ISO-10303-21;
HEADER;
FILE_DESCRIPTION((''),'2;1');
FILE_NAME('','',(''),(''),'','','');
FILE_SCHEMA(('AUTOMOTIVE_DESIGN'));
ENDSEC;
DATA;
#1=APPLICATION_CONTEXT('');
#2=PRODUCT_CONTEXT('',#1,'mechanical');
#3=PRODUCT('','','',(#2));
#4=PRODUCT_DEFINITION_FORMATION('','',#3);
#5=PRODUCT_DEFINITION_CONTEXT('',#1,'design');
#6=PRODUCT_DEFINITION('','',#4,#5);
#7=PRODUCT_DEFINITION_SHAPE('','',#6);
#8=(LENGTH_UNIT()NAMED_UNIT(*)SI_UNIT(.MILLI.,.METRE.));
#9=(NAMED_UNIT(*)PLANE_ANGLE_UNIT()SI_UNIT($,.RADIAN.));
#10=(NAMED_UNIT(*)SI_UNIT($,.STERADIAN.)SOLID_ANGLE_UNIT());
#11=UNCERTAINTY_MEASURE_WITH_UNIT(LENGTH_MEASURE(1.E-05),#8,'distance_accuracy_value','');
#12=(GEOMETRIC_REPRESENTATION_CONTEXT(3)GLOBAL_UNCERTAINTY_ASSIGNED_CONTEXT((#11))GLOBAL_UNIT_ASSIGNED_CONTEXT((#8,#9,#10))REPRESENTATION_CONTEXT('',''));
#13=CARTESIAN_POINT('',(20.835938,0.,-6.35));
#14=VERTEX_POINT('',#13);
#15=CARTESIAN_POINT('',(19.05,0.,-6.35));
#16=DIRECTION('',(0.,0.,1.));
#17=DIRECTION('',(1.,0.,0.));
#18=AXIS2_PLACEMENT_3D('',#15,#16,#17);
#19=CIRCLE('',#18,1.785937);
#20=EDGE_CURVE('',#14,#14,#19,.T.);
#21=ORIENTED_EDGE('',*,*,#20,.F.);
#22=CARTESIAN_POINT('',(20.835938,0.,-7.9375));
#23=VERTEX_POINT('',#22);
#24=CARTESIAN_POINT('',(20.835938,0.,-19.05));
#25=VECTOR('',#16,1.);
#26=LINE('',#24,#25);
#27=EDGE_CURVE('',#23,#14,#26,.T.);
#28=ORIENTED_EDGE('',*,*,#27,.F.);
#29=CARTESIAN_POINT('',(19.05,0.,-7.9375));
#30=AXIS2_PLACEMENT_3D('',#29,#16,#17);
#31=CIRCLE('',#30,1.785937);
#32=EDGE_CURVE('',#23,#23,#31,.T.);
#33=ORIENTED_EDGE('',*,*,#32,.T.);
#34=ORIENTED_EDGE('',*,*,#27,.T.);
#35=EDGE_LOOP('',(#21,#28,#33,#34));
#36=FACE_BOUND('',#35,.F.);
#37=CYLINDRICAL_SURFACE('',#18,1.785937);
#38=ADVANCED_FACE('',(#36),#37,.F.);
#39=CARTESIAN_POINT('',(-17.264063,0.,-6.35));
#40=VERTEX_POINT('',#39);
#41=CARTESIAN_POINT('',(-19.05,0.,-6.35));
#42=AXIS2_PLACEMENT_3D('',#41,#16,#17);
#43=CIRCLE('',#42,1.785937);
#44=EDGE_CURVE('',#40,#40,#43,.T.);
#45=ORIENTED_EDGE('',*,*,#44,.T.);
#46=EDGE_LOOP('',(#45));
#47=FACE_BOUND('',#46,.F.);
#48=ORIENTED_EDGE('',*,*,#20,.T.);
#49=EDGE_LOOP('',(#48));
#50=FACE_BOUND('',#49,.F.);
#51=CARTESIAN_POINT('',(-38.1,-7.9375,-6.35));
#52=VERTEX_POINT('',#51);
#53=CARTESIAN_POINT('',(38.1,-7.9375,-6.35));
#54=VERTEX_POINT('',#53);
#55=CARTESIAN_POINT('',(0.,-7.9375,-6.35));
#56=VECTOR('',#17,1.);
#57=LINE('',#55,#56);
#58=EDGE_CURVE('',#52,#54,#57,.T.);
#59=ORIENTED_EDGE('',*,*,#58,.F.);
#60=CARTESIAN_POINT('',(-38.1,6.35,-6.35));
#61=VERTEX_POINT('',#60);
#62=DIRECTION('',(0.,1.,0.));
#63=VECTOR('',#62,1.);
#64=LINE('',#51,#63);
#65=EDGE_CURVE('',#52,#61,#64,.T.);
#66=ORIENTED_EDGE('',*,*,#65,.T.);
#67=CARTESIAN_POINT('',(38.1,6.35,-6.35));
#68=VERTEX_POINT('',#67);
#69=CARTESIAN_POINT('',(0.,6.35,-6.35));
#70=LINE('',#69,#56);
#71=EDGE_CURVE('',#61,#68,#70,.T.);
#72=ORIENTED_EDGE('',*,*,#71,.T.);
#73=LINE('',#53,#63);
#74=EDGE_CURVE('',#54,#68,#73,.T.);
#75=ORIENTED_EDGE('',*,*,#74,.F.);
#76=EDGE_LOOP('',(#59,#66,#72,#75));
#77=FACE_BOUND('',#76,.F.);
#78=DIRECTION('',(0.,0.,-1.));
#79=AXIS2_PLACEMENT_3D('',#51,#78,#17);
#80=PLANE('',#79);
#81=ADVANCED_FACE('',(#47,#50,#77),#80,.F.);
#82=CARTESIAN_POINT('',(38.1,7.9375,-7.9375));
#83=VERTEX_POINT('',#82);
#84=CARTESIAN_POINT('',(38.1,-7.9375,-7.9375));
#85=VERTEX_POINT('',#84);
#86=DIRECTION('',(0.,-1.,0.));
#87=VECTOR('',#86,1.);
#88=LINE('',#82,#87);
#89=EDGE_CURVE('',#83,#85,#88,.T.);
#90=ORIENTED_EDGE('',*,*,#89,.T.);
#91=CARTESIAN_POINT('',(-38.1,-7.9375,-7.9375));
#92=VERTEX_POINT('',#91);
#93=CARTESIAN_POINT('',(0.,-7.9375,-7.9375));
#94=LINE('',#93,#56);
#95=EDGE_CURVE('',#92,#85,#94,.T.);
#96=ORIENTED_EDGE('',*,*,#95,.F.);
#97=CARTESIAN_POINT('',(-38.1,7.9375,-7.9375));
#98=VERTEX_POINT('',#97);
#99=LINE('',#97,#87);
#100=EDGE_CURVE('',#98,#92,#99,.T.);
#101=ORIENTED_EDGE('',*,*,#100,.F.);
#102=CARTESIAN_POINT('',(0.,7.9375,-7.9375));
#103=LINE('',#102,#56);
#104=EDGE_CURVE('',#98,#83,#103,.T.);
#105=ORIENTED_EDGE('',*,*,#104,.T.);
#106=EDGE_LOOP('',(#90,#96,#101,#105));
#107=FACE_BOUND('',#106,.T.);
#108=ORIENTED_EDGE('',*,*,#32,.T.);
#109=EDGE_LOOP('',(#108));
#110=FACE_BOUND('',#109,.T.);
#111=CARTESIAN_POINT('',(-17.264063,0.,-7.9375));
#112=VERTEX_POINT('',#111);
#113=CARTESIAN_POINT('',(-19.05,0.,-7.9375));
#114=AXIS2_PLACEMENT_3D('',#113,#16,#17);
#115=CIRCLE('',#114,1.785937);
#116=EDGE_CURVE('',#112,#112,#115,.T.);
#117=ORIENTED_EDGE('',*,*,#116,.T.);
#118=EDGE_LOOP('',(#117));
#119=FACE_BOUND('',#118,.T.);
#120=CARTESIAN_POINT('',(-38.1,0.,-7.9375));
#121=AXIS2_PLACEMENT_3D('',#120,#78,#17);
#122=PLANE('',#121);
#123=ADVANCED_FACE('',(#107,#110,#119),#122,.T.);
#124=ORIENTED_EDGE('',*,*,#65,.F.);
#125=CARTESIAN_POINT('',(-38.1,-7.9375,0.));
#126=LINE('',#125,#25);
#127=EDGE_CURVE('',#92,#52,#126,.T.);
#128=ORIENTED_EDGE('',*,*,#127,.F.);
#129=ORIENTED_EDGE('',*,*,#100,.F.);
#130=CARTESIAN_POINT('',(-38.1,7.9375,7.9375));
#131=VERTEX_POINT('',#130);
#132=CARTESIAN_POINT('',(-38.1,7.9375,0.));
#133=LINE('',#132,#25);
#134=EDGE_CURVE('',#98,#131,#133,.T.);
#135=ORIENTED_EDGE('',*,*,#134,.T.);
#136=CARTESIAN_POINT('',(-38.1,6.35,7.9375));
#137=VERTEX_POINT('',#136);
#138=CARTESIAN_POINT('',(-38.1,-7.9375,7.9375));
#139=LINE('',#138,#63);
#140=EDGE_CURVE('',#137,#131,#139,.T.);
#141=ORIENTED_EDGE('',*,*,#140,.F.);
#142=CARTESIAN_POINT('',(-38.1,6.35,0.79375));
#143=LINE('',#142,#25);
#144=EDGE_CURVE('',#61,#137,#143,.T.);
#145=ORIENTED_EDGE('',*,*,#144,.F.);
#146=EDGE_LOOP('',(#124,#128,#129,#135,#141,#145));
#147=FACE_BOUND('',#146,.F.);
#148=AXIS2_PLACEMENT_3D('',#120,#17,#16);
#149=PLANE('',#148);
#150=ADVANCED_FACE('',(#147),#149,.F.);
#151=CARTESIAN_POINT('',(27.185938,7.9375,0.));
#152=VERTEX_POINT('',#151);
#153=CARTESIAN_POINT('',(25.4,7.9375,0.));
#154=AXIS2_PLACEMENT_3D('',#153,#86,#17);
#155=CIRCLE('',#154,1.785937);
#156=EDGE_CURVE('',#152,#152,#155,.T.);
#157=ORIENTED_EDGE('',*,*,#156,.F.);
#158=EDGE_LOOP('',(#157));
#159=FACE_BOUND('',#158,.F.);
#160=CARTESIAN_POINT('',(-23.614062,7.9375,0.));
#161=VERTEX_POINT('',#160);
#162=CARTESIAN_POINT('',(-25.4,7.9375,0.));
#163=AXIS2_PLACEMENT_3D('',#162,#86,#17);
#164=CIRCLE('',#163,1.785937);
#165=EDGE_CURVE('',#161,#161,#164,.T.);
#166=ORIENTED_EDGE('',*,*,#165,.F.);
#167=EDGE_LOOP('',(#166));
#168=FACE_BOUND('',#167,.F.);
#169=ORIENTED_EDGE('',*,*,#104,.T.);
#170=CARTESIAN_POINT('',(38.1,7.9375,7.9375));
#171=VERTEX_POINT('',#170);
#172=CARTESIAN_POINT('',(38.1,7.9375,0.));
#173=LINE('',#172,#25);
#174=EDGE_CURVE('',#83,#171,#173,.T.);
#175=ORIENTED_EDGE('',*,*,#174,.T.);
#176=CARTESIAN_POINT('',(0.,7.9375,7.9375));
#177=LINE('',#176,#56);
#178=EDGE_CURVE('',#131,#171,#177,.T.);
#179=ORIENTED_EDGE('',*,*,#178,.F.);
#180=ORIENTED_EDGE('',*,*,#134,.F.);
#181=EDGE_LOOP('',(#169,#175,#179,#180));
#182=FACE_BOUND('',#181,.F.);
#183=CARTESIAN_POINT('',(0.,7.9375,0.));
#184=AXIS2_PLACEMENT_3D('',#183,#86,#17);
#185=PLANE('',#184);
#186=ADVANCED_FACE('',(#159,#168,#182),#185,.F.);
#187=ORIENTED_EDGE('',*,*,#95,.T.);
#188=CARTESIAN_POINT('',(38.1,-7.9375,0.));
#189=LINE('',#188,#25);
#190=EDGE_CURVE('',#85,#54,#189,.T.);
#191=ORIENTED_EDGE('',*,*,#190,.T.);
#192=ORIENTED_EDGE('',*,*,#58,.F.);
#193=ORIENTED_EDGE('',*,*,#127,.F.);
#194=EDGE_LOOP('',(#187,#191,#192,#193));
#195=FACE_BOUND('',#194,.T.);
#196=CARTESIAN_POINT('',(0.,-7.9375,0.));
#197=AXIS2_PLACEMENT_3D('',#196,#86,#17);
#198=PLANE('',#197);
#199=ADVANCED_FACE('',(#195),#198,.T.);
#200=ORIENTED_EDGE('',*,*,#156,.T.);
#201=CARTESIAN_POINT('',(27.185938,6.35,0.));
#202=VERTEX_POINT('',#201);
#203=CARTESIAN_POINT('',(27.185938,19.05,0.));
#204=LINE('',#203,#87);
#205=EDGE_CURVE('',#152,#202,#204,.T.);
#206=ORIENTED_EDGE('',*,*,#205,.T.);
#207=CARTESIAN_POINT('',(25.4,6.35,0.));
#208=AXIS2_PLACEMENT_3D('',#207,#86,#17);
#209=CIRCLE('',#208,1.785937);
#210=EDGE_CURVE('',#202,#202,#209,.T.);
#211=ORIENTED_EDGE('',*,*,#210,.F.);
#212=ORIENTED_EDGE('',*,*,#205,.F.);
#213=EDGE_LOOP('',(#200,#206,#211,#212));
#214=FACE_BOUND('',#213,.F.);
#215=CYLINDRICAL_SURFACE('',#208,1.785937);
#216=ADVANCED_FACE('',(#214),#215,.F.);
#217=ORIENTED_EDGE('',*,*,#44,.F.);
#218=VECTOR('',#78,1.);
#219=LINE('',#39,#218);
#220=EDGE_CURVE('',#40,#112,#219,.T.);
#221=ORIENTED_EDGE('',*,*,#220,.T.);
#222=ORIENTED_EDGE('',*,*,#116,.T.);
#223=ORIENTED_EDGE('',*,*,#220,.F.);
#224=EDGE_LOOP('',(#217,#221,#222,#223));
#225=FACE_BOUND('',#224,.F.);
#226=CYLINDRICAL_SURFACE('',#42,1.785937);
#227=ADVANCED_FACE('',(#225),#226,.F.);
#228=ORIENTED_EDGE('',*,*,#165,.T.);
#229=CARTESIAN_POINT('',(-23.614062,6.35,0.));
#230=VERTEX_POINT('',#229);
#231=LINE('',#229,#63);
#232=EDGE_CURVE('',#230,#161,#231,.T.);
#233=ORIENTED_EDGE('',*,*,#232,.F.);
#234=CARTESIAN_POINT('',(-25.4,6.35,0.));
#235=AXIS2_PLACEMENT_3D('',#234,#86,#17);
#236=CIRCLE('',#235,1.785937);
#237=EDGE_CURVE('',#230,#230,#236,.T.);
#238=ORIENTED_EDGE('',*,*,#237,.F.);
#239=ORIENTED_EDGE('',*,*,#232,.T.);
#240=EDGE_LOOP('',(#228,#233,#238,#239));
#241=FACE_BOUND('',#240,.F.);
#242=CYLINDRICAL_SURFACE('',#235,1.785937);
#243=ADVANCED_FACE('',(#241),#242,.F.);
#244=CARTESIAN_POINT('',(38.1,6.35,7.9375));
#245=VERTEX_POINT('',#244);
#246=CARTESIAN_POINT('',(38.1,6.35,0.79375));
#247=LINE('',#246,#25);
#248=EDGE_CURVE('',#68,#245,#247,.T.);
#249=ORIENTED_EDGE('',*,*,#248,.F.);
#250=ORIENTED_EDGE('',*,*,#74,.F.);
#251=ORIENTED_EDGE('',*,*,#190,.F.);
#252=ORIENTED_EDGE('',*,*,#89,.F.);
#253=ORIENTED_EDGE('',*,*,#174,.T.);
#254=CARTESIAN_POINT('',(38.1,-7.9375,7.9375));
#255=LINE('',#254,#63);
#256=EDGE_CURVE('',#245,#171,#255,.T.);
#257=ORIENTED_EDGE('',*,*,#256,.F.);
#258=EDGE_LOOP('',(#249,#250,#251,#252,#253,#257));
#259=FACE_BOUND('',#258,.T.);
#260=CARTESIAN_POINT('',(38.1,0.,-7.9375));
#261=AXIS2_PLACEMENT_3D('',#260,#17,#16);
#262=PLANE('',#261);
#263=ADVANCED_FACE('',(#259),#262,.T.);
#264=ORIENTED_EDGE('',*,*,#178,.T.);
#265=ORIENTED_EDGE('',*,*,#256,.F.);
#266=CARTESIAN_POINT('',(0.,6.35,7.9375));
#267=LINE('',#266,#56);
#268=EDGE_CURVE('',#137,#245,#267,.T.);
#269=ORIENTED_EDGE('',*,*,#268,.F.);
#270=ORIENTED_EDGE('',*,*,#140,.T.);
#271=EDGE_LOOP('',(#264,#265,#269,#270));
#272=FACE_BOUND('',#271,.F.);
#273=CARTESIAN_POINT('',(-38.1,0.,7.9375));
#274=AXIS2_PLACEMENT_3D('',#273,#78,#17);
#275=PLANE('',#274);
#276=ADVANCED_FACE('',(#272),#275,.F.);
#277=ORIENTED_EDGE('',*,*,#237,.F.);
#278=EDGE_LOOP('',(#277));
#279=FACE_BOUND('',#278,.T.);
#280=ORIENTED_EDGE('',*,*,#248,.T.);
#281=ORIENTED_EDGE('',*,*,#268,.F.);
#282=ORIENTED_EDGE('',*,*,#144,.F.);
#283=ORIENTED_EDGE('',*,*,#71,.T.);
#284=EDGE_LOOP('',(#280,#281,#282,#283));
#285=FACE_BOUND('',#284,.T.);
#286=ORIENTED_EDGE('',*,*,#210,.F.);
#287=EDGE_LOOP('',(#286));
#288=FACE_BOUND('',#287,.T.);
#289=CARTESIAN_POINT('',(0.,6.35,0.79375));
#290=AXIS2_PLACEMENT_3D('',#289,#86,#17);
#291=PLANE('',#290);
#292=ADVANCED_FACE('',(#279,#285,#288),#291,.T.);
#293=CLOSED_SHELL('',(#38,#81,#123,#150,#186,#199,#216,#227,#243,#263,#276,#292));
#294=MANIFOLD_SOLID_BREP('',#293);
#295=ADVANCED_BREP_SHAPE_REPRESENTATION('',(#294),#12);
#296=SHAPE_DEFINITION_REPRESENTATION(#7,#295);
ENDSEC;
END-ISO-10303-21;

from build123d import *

# Parameters (mm, degrees)
F0_W     = 76.2
F0_H     = 15.875
F1_DEPTH = 7.9375
F2_W     = 76.2
F2_H     = 14.2875
F3_DEPTH = 14.2875
F4_R     = 1.7859375
F5_DEPTH = 12.7
F6_R     = 1.7859375
F7_DEPTH = 12.7


with BuildPart() as f1:
    # F0 (on Front) → F1 (new body, symmetric)
    with BuildSketch(Plane.XZ):
        Rectangle(F0_W, F0_H)
    extrude(amount=F1_DEPTH, both=True)

    # F2 (on face) → F3 (cut)
    with BuildSketch(Plane.XZ.offset(7.9375)):
        with Locations((0, 0.79375)):
            Rectangle(F2_W, F2_H)
    extrude(amount=-F3_DEPTH, mode=Mode.SUBTRACT)

    # F4 (on face) → F5 (cut, symmetric)
    with BuildSketch(Plane.XY.offset(-6.35)):
        with Locations((-19.05, 0)):
            Circle(F4_R)
        with Locations((19.05, 0)):
            Circle(F4_R)
    extrude(amount=F5_DEPTH, both=True, mode=Mode.SUBTRACT)

    # F6 (on face) → F7 (cut, symmetric)
    with BuildSketch(Plane.XZ.offset(-6.35)):
        with Locations((-25.4, 0)):
            Circle(F6_R)
        with Locations((25.4, 0)):
            Circle(F6_R)
    extrude(amount=F7_DEPTH, both=True, mode=Mode.SUBTRACT)


solid = f1.part
